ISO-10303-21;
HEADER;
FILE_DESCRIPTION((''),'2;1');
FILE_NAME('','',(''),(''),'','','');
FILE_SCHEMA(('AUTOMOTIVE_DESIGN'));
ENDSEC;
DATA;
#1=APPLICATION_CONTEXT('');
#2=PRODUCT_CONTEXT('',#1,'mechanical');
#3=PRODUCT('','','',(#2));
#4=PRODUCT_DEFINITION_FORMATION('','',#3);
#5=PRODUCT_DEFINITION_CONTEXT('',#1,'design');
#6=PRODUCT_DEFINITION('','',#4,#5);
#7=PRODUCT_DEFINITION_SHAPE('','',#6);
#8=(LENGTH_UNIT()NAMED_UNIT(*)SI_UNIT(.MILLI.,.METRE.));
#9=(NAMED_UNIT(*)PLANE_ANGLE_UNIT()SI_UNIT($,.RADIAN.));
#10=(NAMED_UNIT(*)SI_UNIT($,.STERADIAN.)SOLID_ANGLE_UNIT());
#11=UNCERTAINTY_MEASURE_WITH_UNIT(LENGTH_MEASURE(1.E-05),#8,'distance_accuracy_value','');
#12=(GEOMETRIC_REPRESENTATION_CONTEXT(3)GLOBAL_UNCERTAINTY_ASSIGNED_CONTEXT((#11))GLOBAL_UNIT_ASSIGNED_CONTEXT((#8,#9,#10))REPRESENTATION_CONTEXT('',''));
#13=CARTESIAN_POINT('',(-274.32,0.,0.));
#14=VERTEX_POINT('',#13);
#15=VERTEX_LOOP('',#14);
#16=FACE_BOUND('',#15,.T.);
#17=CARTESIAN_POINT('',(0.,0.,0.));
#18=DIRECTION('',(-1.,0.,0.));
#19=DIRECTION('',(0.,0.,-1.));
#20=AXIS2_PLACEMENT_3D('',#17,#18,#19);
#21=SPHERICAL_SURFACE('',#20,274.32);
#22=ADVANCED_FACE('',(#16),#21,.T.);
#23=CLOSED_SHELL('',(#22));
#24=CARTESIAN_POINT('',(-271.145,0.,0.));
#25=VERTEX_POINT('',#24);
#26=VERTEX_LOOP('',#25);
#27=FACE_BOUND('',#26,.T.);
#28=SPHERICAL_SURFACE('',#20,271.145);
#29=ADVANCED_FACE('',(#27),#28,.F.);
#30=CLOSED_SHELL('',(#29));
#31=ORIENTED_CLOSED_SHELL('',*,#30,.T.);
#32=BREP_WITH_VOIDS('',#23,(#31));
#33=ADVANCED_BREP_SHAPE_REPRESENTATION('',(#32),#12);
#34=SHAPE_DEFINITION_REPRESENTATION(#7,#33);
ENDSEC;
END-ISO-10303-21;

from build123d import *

# Parameters (mm, degrees)
SHELL1_T = 3.175


with BuildPart() as part:
    # Sketch1 → Revolve6 (revolve)
    with BuildSketch(Plane(origin=(0, 0, 0), x_dir=(1, 0, 0), z_dir=(0, 1, 0))):
        with BuildLine():
            Line((-274.32, 0), (274.32, 0))
            ThreePointArc((274.32, 0), (0, 274.32), (-274.32, 0))
        make_face()
    revolve(axis=Axis((0, 0, 0), (1, 0, 0)))

    # Shell1 (no face opened: a closed hollow body)
    add(offset(amount=-SHELL1_T, mode=Mode.PRIVATE), mode=Mode.SUBTRACT)


solid = part.part
